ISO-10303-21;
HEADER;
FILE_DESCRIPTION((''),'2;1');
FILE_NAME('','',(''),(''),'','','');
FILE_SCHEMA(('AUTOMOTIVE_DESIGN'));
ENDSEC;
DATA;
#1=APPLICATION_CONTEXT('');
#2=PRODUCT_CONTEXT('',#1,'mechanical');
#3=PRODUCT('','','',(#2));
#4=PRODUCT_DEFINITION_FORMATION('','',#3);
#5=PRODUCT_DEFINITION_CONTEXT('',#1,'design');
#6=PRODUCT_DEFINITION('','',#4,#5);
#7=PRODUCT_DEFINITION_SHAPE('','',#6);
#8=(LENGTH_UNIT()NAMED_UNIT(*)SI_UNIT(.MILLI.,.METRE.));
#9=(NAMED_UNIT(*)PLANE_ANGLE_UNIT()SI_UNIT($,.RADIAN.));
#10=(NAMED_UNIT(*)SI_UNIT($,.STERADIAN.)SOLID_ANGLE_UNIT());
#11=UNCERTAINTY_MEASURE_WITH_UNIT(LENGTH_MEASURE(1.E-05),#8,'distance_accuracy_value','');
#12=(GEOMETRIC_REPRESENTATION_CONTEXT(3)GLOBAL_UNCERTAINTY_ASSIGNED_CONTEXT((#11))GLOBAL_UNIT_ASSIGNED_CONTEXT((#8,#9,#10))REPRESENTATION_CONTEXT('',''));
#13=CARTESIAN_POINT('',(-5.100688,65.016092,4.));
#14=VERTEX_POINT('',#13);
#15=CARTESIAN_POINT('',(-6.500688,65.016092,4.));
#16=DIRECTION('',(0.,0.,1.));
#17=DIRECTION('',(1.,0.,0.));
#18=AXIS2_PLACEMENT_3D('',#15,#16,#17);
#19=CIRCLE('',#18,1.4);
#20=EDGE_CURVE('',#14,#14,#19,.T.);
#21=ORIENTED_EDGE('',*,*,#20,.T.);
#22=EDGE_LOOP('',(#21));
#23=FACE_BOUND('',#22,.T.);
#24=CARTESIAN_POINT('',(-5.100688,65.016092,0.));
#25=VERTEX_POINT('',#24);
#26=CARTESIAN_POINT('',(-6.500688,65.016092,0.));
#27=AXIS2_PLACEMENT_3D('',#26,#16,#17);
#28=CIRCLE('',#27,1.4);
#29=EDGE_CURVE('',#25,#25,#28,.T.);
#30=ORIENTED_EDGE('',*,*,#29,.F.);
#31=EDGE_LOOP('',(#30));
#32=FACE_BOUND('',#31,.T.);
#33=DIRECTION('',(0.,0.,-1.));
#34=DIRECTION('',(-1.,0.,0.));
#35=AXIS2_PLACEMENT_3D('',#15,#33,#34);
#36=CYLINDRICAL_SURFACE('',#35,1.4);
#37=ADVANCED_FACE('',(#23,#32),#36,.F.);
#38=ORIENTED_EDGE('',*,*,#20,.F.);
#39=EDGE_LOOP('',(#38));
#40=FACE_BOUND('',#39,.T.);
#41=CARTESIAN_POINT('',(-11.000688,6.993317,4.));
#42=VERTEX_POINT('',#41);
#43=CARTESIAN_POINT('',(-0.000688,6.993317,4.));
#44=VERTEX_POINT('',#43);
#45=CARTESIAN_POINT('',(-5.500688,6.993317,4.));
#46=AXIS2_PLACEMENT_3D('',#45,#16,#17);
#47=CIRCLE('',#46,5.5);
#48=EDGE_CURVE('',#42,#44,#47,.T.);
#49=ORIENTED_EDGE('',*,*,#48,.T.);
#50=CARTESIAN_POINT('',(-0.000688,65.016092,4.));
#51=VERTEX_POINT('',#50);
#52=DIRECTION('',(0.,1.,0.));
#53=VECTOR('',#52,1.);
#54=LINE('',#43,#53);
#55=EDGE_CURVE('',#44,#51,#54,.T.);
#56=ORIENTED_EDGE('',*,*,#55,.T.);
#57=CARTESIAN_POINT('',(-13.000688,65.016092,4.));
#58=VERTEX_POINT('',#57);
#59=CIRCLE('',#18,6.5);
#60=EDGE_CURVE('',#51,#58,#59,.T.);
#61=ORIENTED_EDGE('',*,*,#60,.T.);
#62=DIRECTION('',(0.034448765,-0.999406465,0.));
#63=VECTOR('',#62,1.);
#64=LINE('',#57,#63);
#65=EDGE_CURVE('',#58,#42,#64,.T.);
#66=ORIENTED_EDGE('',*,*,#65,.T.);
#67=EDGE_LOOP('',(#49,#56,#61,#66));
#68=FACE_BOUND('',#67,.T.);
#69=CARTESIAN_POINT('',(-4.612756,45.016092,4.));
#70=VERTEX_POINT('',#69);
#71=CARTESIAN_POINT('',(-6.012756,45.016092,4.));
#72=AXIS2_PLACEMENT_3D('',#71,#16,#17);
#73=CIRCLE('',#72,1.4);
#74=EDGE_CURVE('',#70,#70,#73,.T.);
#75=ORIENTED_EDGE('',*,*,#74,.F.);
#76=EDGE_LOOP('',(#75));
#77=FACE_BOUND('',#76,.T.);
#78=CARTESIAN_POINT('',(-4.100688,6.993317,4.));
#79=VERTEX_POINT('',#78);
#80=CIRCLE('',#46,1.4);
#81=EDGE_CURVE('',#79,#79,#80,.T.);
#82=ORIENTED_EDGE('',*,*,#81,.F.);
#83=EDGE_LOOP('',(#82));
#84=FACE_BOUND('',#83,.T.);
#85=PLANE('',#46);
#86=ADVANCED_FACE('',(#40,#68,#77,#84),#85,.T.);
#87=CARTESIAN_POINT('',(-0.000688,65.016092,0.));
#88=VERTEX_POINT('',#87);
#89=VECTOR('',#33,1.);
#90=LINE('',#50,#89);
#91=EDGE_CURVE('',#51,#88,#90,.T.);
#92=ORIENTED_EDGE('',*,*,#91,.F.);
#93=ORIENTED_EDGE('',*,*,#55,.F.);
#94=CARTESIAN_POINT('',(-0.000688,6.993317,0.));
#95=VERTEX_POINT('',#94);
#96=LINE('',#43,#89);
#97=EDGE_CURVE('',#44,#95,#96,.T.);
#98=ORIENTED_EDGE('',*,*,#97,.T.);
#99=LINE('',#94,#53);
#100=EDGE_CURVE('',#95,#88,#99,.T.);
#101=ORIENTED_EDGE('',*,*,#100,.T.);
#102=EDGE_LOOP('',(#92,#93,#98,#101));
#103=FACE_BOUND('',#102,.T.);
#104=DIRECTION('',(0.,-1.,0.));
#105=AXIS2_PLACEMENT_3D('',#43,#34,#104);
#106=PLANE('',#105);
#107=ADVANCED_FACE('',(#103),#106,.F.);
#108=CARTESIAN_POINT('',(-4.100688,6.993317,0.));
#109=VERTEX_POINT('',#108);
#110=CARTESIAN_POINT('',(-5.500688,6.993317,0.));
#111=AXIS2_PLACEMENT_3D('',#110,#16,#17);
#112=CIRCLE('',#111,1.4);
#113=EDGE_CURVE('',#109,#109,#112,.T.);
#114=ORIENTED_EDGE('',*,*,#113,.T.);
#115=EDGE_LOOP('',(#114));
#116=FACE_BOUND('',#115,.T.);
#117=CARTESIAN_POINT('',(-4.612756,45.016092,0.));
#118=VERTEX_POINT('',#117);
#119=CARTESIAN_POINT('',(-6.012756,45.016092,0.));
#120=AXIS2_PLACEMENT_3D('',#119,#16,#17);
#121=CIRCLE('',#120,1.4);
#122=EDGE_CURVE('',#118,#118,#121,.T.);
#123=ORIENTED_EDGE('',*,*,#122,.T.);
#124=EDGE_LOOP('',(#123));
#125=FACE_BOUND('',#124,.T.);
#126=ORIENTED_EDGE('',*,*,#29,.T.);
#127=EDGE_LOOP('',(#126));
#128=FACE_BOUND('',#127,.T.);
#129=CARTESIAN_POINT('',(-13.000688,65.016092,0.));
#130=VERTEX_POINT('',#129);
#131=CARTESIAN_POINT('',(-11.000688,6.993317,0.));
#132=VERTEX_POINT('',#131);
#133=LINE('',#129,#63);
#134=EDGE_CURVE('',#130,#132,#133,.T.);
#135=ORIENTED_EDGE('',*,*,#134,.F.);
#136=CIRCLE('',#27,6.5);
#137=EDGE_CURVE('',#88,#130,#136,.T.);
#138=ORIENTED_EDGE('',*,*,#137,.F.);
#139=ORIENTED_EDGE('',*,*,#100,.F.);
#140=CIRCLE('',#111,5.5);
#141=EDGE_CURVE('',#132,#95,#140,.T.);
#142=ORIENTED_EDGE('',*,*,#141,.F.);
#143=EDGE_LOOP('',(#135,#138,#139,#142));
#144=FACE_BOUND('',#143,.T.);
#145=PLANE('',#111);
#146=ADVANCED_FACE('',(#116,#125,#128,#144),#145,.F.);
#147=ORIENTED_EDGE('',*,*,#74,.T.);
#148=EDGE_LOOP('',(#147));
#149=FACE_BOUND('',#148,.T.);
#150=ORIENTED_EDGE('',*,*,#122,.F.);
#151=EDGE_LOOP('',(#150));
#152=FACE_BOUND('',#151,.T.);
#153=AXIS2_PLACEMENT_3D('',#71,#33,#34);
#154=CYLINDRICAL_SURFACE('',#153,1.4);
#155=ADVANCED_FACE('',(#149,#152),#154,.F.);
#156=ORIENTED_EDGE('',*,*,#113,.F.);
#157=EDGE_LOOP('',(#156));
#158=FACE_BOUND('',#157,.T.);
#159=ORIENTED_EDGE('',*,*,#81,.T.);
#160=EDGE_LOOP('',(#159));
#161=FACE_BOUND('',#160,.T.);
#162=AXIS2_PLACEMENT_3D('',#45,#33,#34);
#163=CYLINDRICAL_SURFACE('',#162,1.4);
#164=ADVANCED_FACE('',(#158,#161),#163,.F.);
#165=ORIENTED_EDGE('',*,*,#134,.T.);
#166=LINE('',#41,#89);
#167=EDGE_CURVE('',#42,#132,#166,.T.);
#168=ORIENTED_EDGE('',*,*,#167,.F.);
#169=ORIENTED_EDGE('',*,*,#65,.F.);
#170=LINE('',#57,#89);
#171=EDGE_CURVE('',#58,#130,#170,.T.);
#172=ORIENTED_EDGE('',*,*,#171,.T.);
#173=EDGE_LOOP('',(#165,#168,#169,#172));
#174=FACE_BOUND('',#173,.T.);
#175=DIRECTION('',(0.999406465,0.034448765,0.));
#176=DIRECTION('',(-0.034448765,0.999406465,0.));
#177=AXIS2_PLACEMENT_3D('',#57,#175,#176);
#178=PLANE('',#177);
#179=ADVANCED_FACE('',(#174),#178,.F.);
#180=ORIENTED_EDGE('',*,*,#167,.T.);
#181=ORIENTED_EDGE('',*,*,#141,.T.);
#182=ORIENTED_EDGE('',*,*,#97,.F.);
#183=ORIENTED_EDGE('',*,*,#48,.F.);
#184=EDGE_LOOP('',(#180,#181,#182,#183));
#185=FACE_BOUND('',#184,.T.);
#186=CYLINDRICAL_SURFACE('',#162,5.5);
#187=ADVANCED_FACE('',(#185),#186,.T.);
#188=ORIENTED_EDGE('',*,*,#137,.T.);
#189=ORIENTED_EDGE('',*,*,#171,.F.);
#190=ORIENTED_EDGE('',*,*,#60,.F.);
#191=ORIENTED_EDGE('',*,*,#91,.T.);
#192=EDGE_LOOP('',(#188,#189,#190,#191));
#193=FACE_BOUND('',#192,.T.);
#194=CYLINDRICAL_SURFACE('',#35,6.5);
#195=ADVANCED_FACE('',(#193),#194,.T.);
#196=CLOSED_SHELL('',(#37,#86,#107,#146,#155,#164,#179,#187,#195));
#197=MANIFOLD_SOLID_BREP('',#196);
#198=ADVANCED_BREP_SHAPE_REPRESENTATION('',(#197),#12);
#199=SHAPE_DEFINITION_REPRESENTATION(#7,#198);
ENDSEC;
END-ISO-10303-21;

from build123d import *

# Parameters (mm, degrees)
SKETCH1_R           = 1.4
BOSS_EXTRUDE2_DEPTH = 4


with BuildPart() as part:
    # Sketch1 → Boss-Extrude2 (new body)
    with BuildSketch(Plane.XY):
        with BuildLine():
            Line((-0.000688459, 6.993317296), (-0.000688459, 65.016091721))
            ThreePointArc((-0.000688459, 65.016091721), (-6.500688459, 71.516091721), (-13.000688459, 65.016091721))
            Line((-13.000688459, 65.016091721), (-11.000688459, 6.993317296))
            ThreePointArc((-11.000688459, 6.993317296), (-5.500688459, 1.493317296), (-0.000688459, 6.993317296))
        make_face()
        with Locations((-6.500688459, 65.016091721)):
            Circle(SKETCH1_R, mode=Mode.SUBTRACT)
        with Locations((-5.500688459, 6.993317296)):
            Circle(SKETCH1_R, mode=Mode.SUBTRACT)
        with Locations((-6.012756351, 45.016091721)):
            Circle(SKETCH1_R, mode=Mode.SUBTRACT)
    extrude(amount=BOSS_EXTRUDE2_DEPTH)


solid = part.part
